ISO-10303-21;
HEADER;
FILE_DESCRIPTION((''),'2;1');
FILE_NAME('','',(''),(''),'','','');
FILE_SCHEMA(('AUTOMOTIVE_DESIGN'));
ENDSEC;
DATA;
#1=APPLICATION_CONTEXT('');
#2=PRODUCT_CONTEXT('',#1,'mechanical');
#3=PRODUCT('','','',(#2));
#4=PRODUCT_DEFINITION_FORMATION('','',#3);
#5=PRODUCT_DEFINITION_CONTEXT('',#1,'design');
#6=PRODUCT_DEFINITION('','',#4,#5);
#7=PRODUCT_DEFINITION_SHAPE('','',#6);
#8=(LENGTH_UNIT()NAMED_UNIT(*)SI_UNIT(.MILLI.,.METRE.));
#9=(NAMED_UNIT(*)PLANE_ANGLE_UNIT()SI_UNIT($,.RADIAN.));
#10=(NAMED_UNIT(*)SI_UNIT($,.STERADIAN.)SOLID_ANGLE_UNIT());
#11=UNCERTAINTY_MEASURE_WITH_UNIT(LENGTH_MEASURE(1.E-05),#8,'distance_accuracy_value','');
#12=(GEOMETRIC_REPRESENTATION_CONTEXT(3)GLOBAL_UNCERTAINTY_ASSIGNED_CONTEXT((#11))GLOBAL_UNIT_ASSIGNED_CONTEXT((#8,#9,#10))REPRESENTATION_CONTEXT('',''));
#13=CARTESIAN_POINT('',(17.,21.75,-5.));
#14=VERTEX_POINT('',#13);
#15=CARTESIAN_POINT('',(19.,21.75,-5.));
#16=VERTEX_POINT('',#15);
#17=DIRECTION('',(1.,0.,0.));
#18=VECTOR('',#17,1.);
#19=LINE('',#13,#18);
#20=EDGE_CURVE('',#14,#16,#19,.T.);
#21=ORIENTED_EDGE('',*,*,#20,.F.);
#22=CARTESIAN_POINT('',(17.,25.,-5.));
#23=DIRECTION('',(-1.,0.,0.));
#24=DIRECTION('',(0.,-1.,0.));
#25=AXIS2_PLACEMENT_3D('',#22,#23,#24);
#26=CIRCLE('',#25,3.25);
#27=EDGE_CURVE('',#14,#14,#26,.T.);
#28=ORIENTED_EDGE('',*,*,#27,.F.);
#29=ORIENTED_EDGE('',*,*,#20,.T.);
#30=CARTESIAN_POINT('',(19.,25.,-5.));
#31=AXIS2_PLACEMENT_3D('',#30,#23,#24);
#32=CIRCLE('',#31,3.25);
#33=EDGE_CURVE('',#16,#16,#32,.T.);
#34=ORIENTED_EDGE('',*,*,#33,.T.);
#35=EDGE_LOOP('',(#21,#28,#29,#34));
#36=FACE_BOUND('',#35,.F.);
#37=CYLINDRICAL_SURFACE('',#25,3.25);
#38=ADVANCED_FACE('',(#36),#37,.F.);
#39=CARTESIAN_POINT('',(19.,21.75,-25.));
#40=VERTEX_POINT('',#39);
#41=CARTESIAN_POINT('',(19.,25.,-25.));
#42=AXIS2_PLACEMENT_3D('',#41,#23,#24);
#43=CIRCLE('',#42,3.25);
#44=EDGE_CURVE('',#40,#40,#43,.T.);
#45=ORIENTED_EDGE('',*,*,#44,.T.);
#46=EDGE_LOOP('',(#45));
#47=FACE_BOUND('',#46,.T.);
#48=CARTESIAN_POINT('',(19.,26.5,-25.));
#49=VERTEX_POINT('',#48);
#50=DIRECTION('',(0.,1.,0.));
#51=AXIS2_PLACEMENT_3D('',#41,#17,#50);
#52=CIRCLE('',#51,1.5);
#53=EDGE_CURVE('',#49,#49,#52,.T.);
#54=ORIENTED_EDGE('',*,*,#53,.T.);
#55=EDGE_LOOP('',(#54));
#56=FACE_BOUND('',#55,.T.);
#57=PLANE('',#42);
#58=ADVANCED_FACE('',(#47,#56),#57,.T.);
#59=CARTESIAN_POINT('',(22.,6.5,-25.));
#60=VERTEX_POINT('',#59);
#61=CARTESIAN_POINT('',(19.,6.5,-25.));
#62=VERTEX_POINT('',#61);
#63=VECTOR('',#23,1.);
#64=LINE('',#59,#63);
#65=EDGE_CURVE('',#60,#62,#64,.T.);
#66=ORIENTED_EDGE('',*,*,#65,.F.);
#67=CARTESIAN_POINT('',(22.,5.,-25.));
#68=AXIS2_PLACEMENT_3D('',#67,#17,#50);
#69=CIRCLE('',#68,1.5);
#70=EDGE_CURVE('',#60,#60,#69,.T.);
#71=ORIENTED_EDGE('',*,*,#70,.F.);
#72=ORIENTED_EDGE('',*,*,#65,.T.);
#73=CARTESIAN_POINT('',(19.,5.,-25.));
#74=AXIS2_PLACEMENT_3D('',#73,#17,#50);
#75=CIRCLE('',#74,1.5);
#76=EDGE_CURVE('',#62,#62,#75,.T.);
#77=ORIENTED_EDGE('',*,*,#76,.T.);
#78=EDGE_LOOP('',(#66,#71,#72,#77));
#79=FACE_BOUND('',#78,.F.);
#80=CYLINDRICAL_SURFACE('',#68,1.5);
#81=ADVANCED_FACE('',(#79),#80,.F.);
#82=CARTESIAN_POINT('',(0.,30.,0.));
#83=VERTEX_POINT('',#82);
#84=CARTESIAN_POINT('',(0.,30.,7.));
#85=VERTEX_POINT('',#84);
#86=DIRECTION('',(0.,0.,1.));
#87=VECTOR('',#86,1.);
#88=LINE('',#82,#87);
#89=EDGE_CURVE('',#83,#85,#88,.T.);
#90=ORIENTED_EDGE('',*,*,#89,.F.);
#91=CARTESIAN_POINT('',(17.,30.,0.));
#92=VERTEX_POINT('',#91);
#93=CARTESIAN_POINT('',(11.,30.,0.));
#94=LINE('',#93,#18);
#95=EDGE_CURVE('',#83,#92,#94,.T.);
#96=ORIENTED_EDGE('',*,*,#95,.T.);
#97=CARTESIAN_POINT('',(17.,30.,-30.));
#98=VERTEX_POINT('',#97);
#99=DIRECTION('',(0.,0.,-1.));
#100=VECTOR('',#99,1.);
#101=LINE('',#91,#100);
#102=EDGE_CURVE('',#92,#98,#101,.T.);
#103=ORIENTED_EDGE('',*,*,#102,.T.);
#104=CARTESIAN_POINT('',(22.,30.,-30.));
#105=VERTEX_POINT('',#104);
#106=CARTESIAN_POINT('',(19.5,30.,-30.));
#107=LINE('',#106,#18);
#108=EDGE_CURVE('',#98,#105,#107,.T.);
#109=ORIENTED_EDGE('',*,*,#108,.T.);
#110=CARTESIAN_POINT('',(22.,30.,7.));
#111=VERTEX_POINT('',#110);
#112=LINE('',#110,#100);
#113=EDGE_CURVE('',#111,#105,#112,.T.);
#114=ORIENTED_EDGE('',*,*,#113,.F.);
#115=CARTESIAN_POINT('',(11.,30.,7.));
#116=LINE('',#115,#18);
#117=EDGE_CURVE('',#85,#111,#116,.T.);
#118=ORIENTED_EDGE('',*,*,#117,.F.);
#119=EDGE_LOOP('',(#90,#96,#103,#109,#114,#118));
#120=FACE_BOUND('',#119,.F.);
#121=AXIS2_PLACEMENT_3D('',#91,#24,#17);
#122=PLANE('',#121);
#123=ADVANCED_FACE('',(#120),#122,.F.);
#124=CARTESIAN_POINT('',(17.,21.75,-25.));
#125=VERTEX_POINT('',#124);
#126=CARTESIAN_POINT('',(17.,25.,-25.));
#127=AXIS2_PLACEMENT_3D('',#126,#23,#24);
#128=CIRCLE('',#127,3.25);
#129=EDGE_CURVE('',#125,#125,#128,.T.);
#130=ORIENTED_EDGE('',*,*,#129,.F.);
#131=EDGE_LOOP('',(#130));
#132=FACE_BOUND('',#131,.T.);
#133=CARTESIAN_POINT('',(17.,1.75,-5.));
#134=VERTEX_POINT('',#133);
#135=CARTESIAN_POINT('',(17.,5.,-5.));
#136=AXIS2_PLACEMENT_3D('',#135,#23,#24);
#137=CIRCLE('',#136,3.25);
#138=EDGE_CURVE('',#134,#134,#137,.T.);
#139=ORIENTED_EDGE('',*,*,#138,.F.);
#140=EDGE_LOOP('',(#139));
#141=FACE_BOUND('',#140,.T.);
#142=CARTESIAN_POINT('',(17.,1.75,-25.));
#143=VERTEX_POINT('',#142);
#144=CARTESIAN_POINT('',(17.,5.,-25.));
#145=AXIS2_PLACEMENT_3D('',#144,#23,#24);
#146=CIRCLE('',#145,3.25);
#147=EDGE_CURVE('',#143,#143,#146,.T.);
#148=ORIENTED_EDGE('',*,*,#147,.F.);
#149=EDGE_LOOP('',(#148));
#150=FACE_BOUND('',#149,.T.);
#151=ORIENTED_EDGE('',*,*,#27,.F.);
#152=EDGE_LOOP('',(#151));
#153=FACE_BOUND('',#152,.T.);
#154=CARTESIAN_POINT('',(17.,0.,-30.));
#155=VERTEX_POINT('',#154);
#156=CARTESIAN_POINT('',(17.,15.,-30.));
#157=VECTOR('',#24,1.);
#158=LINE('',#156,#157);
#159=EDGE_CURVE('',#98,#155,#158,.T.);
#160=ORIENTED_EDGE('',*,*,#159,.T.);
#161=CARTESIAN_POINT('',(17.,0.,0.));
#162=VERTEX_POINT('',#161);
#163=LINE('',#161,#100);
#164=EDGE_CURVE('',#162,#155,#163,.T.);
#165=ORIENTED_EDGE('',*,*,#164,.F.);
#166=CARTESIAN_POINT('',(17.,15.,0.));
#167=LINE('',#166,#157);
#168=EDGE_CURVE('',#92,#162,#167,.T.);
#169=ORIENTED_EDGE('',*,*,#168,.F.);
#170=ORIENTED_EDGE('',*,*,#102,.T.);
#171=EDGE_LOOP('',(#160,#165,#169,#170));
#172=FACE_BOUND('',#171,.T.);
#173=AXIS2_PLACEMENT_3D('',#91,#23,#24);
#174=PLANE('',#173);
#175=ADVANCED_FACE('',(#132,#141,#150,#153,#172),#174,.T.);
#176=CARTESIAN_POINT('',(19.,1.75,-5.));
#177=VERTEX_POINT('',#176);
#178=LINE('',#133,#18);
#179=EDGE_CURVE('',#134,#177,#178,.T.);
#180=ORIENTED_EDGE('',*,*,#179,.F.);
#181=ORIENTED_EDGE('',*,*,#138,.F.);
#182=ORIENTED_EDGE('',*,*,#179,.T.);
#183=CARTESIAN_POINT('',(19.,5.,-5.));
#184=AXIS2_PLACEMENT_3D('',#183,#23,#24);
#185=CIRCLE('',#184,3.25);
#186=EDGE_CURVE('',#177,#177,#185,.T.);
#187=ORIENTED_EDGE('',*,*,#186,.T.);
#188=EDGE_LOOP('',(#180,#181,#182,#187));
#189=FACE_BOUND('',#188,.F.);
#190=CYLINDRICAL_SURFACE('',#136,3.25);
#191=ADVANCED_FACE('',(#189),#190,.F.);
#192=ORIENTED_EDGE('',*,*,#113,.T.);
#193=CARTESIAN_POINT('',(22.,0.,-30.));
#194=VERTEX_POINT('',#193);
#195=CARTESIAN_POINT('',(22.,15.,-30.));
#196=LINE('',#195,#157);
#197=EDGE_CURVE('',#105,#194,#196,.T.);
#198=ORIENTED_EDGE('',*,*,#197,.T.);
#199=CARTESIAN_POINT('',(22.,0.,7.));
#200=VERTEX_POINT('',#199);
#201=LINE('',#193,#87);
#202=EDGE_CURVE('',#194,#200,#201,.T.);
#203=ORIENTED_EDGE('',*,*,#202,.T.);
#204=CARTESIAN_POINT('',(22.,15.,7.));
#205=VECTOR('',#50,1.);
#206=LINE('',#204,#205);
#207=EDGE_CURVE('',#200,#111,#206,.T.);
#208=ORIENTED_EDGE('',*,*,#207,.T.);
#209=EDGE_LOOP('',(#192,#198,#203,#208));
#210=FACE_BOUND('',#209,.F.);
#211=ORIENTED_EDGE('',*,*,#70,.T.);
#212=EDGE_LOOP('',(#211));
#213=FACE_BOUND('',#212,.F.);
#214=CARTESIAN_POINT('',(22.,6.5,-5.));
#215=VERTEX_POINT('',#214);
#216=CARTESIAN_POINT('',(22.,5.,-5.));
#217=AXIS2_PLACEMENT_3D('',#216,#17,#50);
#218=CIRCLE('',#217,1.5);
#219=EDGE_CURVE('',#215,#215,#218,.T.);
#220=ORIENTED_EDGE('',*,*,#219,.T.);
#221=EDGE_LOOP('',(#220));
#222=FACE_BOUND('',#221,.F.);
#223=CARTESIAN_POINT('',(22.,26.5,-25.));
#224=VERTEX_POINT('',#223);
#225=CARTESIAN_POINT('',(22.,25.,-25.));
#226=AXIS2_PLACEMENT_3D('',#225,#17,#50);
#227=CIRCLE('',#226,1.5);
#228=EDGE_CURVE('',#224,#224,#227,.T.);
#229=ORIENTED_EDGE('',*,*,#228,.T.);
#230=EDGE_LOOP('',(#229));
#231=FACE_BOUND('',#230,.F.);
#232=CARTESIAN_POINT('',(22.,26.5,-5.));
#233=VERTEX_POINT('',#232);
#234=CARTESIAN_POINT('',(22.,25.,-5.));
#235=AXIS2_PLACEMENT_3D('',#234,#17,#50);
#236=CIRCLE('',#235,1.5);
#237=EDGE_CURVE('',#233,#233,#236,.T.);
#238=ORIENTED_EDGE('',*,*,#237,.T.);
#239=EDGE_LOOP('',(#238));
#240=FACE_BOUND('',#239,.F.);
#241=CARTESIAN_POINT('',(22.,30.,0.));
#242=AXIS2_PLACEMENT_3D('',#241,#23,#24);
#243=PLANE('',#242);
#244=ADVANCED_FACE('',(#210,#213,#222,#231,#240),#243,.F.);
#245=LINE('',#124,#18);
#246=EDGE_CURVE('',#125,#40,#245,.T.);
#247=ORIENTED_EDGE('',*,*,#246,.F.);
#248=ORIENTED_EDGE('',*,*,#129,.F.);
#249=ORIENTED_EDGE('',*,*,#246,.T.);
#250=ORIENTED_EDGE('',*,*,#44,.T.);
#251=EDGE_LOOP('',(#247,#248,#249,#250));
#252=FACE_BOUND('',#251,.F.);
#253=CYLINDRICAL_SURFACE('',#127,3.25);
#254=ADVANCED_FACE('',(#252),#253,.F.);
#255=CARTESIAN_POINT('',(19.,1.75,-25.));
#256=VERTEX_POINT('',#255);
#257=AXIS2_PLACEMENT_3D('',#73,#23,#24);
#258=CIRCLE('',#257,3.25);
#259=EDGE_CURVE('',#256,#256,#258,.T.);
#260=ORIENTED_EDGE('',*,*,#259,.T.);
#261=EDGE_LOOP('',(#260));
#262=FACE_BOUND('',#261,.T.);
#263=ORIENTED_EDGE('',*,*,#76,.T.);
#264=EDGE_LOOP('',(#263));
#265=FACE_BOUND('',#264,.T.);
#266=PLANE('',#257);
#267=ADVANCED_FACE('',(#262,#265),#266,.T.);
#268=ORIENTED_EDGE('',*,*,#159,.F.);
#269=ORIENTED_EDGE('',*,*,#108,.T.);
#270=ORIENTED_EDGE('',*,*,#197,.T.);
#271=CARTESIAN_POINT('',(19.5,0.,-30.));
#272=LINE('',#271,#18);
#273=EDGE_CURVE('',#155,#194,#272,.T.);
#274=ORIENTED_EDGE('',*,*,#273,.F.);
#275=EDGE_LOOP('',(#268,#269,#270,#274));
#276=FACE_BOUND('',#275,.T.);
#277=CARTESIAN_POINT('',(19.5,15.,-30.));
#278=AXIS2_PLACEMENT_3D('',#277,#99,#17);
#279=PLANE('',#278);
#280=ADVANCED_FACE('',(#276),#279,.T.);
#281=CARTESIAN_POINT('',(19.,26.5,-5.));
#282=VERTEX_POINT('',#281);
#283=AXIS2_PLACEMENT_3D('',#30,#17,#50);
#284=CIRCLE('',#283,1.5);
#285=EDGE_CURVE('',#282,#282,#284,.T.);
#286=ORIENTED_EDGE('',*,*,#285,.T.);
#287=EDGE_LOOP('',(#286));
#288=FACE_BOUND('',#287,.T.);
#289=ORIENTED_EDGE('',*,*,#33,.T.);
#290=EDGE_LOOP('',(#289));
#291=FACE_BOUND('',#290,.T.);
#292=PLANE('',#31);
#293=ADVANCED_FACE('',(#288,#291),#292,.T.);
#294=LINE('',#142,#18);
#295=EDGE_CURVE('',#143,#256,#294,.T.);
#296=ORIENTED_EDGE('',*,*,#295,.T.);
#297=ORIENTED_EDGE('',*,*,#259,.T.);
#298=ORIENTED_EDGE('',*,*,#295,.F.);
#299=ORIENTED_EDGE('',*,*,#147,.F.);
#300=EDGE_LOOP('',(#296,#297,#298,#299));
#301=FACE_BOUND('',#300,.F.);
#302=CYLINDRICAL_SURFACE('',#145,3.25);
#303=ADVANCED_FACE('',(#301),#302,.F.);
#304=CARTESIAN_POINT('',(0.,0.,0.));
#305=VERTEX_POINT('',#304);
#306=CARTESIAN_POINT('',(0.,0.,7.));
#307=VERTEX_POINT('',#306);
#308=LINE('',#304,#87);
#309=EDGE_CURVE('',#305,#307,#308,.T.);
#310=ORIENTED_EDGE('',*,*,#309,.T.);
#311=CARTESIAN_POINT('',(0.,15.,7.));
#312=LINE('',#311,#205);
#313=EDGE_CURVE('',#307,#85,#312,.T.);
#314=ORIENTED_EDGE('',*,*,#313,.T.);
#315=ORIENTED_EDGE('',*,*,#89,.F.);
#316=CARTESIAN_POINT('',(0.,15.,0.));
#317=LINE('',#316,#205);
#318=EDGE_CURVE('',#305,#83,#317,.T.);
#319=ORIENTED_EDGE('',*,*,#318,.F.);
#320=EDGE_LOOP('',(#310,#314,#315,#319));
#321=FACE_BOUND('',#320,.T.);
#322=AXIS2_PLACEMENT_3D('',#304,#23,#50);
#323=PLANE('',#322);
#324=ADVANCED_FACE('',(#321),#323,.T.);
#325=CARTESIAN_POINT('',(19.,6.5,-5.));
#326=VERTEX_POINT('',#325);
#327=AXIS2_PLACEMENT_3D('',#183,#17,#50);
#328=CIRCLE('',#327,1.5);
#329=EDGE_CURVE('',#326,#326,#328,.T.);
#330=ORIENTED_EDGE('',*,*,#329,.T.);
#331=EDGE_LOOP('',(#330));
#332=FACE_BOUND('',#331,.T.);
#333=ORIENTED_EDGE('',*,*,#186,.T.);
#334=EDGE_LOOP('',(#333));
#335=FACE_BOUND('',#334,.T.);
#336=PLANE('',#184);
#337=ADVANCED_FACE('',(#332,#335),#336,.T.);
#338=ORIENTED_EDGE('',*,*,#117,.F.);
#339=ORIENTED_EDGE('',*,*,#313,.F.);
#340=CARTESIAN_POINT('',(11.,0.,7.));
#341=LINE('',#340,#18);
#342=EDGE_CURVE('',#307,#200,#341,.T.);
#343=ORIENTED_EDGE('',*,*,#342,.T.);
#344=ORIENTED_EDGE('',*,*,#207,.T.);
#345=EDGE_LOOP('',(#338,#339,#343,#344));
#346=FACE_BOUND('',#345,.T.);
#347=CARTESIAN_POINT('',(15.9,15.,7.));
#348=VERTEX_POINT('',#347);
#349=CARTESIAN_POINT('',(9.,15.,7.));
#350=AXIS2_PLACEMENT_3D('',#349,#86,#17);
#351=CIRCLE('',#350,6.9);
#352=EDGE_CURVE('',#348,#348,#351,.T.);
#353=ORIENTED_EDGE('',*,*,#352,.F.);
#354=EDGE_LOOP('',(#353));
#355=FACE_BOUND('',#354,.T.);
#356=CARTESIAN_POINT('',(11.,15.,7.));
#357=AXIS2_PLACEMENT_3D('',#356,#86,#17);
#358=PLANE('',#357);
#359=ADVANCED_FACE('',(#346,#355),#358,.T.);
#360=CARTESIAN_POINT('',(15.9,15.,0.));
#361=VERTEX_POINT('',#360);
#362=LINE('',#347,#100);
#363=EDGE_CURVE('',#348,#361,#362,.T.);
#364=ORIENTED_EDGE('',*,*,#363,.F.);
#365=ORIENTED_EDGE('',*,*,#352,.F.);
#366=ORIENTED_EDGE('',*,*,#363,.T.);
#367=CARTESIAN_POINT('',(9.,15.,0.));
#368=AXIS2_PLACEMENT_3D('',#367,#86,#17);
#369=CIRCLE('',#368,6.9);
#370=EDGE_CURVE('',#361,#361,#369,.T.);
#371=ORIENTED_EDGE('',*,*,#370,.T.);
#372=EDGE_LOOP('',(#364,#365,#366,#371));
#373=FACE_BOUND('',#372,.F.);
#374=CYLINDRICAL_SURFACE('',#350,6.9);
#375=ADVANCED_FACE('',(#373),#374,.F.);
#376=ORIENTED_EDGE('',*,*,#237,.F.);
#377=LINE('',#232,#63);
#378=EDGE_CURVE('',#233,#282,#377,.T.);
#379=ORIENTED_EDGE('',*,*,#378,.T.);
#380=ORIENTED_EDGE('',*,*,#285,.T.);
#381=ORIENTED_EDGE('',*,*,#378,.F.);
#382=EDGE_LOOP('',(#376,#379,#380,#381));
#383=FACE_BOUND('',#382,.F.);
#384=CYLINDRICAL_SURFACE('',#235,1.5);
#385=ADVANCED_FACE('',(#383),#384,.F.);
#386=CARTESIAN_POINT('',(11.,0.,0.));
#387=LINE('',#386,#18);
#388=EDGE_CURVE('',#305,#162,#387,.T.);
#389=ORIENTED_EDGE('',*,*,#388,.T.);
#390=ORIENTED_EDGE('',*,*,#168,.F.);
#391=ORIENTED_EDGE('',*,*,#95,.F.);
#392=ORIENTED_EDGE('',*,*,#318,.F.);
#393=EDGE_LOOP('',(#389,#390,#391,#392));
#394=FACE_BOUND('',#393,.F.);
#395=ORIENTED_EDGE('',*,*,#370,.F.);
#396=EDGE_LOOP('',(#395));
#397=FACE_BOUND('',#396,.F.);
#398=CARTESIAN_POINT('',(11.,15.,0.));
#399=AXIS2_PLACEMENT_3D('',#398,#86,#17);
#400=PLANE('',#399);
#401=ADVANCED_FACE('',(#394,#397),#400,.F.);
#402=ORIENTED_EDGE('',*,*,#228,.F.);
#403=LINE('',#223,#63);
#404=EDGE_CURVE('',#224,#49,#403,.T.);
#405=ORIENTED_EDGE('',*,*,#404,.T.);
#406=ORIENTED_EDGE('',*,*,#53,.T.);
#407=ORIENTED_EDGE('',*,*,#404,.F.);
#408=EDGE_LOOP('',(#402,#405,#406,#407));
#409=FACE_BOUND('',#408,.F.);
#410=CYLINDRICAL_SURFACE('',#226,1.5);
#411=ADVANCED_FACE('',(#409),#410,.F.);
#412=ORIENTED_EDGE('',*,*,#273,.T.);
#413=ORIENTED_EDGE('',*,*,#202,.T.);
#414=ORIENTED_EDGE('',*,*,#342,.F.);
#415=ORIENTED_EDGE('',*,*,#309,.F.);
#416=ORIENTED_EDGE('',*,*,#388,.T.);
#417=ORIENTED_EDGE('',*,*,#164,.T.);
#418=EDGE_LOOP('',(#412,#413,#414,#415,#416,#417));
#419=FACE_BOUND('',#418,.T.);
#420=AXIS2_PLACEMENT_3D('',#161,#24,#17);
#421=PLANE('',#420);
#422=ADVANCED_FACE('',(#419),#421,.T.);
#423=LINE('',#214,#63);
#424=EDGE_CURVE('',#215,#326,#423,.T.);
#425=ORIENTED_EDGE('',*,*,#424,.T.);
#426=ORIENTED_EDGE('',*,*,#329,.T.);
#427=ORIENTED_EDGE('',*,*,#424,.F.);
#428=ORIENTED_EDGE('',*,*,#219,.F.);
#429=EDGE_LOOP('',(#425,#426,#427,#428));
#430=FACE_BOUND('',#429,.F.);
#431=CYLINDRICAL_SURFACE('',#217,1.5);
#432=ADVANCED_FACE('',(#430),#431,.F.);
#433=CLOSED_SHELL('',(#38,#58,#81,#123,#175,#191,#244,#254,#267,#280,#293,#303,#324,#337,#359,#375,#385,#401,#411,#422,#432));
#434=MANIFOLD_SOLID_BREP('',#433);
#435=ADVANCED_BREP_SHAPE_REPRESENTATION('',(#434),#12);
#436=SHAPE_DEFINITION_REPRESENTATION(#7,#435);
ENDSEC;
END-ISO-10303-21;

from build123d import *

# Parameters (mm, degrees)
F0_W     = 22
F0_H     = 30
F1_DEPTH = 7
F2_R     = 6.9
F3_DEPTH = 25
F4_W     = 5
F4_H     = 30
F5_DEPTH = 30
F6_R     = 1.5
F7_DEPTH = 25
F8_R     = 3.25
F9_DEPTH = 2


with BuildPart() as f1:
    # F0 (on Top) → F1 (new body)
    with BuildSketch(Plane.XY):
        with Locations((11, 15)):
            Rectangle(F0_W, F0_H)
    extrude(amount=F1_DEPTH)

    # F2 (on face) → F3 (cut)
    with BuildSketch(Plane.XY.offset(7)):
        with Locations((9, 15)):
            Circle(F2_R)
    extrude(amount=-F3_DEPTH, mode=Mode.SUBTRACT)

    # F4 (on face) → F5 (join)
    with BuildSketch(Plane(origin=(0, 0, 0), x_dir=(1, 0, 0), z_dir=(0, 0, -1))):
        with Locations((19.5, -15)):
            Rectangle(F4_W, F4_H)
    extrude(amount=F5_DEPTH)

    # F6 (on face) → F7 (cut)
    with BuildSketch(Plane.YZ.offset(22)):
        with Locations((5, -25)):
            Circle(F6_R)
        with Locations((25, -25)):
            Circle(F6_R)
        with Locations((25, -5)):
            Circle(F6_R)
        with Locations((5, -5)):
            Circle(F6_R)
    extrude(amount=-F7_DEPTH, mode=Mode.SUBTRACT)

    # F8 (on face) → F9 (cut)
    with BuildSketch(Plane(origin=(17, 0, 0), x_dir=(0, -1, 0), z_dir=(-1, 0, 0))):
        with Locations((-25, -5)):
            Circle(F8_R)
        with Locations((-5, -5)):
            Circle(F8_R)
        with Locations((-5, -25)):
            Circle(F8_R)
        with Locations((-25, -25)):
            Circle(F8_R)
    extrude(amount=-F9_DEPTH, mode=Mode.SUBTRACT)


solid = f1.part
